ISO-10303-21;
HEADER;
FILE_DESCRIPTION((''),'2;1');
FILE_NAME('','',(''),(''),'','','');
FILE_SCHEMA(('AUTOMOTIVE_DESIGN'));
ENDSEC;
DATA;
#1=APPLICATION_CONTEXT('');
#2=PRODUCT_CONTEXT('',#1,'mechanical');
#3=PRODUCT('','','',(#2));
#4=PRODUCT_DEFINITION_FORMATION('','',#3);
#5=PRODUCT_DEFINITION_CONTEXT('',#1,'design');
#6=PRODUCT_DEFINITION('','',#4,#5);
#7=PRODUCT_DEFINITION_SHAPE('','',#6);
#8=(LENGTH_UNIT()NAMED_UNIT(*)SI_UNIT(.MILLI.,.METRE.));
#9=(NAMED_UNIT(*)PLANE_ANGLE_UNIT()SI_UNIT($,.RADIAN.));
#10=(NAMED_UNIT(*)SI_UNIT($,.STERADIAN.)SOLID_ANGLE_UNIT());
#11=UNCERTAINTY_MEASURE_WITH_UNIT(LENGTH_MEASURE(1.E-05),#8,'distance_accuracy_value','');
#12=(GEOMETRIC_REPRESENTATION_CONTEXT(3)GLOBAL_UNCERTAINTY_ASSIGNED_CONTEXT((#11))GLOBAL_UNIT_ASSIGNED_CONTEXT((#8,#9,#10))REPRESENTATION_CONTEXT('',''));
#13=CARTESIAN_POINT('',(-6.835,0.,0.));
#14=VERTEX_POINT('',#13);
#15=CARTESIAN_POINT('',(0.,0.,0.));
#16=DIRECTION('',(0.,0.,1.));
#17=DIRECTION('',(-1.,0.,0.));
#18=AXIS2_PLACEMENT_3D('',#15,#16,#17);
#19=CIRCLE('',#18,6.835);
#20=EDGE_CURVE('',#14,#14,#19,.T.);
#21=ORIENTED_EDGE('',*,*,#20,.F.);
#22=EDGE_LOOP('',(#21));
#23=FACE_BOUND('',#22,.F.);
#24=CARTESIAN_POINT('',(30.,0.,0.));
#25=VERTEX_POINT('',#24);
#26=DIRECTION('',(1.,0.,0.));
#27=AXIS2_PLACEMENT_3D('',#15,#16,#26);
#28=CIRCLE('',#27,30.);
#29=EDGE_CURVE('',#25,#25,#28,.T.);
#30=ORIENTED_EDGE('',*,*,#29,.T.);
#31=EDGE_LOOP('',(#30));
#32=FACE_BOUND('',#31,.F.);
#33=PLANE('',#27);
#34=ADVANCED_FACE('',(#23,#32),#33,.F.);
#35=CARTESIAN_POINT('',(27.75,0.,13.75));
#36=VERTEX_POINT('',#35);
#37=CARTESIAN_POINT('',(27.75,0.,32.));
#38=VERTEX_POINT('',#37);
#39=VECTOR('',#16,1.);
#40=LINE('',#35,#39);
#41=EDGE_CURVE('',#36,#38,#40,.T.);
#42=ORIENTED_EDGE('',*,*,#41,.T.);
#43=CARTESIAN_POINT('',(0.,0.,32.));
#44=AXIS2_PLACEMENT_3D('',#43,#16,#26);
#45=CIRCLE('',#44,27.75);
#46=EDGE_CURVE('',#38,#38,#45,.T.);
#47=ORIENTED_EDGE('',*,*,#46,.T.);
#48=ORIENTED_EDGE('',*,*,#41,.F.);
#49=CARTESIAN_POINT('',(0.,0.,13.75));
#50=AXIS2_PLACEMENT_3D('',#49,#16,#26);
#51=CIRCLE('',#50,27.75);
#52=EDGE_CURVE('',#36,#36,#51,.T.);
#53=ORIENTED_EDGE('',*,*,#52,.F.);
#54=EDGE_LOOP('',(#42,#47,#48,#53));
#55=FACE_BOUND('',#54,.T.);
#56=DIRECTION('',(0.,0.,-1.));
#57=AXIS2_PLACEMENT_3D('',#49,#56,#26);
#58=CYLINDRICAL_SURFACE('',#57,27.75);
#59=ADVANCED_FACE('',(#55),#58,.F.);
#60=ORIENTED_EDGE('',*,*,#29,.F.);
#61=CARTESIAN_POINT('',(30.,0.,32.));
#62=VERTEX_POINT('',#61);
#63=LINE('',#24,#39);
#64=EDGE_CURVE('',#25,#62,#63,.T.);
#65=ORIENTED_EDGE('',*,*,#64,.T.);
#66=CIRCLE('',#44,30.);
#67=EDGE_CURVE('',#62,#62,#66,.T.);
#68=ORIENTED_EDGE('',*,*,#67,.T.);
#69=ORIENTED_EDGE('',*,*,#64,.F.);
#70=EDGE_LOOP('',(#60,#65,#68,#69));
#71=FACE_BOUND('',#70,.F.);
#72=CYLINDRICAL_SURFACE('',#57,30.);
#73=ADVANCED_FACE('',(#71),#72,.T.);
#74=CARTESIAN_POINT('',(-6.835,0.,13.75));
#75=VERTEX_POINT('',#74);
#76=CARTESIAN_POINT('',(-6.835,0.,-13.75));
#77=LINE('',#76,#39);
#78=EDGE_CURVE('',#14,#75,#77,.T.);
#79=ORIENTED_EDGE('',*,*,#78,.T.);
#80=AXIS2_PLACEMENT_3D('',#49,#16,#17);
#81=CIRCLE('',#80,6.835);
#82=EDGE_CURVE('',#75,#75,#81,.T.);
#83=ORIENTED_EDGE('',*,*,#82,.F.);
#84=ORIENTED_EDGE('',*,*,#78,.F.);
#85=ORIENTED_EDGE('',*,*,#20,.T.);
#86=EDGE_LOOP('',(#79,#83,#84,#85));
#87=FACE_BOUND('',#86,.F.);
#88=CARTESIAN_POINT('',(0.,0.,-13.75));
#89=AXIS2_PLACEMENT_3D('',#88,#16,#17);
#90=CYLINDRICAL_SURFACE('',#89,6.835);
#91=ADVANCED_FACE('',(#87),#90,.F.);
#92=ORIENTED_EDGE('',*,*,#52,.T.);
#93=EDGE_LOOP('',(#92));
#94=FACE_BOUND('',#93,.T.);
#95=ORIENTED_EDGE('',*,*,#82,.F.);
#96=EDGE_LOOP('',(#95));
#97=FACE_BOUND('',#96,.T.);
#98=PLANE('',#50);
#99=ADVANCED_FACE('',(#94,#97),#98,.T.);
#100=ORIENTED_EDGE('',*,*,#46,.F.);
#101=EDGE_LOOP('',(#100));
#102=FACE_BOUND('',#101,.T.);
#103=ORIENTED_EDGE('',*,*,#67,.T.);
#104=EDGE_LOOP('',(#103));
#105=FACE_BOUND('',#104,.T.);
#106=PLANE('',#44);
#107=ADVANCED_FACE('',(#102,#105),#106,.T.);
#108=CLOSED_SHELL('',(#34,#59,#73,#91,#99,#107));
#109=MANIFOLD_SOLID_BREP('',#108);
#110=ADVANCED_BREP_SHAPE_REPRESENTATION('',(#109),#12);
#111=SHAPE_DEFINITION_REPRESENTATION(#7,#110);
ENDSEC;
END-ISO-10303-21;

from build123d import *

# Parameters (mm, degrees)
F0_R     = 30
F1_DEPTH = 13.75
F2_R     = 30
F2_R_2   = 27.75
F3_DEPTH = 18.25
F5_D     = 13.67
F5_DEPTH = 13.75


with BuildPart() as f1:
    # F0 (on Top) → F1 (new body)
    with BuildSketch(Plane.XY):
        Circle(F0_R)
    extrude(amount=F1_DEPTH)

    # F2 (on face) → F3 (join)
    with BuildSketch(Plane.XY.offset(13.75)):
        Circle(F2_R)
        Circle(F2_R_2, mode=Mode.SUBTRACT)
    extrude(amount=F3_DEPTH)

    # F5
    with Locations(Plane(origin=(0, 0, 0), x_dir=(1, 0, 0), z_dir=(0, 0, -1))):
        with Locations((0, 0)):
            Hole(F5_D / 2, depth=F5_DEPTH)


solid = f1.part
